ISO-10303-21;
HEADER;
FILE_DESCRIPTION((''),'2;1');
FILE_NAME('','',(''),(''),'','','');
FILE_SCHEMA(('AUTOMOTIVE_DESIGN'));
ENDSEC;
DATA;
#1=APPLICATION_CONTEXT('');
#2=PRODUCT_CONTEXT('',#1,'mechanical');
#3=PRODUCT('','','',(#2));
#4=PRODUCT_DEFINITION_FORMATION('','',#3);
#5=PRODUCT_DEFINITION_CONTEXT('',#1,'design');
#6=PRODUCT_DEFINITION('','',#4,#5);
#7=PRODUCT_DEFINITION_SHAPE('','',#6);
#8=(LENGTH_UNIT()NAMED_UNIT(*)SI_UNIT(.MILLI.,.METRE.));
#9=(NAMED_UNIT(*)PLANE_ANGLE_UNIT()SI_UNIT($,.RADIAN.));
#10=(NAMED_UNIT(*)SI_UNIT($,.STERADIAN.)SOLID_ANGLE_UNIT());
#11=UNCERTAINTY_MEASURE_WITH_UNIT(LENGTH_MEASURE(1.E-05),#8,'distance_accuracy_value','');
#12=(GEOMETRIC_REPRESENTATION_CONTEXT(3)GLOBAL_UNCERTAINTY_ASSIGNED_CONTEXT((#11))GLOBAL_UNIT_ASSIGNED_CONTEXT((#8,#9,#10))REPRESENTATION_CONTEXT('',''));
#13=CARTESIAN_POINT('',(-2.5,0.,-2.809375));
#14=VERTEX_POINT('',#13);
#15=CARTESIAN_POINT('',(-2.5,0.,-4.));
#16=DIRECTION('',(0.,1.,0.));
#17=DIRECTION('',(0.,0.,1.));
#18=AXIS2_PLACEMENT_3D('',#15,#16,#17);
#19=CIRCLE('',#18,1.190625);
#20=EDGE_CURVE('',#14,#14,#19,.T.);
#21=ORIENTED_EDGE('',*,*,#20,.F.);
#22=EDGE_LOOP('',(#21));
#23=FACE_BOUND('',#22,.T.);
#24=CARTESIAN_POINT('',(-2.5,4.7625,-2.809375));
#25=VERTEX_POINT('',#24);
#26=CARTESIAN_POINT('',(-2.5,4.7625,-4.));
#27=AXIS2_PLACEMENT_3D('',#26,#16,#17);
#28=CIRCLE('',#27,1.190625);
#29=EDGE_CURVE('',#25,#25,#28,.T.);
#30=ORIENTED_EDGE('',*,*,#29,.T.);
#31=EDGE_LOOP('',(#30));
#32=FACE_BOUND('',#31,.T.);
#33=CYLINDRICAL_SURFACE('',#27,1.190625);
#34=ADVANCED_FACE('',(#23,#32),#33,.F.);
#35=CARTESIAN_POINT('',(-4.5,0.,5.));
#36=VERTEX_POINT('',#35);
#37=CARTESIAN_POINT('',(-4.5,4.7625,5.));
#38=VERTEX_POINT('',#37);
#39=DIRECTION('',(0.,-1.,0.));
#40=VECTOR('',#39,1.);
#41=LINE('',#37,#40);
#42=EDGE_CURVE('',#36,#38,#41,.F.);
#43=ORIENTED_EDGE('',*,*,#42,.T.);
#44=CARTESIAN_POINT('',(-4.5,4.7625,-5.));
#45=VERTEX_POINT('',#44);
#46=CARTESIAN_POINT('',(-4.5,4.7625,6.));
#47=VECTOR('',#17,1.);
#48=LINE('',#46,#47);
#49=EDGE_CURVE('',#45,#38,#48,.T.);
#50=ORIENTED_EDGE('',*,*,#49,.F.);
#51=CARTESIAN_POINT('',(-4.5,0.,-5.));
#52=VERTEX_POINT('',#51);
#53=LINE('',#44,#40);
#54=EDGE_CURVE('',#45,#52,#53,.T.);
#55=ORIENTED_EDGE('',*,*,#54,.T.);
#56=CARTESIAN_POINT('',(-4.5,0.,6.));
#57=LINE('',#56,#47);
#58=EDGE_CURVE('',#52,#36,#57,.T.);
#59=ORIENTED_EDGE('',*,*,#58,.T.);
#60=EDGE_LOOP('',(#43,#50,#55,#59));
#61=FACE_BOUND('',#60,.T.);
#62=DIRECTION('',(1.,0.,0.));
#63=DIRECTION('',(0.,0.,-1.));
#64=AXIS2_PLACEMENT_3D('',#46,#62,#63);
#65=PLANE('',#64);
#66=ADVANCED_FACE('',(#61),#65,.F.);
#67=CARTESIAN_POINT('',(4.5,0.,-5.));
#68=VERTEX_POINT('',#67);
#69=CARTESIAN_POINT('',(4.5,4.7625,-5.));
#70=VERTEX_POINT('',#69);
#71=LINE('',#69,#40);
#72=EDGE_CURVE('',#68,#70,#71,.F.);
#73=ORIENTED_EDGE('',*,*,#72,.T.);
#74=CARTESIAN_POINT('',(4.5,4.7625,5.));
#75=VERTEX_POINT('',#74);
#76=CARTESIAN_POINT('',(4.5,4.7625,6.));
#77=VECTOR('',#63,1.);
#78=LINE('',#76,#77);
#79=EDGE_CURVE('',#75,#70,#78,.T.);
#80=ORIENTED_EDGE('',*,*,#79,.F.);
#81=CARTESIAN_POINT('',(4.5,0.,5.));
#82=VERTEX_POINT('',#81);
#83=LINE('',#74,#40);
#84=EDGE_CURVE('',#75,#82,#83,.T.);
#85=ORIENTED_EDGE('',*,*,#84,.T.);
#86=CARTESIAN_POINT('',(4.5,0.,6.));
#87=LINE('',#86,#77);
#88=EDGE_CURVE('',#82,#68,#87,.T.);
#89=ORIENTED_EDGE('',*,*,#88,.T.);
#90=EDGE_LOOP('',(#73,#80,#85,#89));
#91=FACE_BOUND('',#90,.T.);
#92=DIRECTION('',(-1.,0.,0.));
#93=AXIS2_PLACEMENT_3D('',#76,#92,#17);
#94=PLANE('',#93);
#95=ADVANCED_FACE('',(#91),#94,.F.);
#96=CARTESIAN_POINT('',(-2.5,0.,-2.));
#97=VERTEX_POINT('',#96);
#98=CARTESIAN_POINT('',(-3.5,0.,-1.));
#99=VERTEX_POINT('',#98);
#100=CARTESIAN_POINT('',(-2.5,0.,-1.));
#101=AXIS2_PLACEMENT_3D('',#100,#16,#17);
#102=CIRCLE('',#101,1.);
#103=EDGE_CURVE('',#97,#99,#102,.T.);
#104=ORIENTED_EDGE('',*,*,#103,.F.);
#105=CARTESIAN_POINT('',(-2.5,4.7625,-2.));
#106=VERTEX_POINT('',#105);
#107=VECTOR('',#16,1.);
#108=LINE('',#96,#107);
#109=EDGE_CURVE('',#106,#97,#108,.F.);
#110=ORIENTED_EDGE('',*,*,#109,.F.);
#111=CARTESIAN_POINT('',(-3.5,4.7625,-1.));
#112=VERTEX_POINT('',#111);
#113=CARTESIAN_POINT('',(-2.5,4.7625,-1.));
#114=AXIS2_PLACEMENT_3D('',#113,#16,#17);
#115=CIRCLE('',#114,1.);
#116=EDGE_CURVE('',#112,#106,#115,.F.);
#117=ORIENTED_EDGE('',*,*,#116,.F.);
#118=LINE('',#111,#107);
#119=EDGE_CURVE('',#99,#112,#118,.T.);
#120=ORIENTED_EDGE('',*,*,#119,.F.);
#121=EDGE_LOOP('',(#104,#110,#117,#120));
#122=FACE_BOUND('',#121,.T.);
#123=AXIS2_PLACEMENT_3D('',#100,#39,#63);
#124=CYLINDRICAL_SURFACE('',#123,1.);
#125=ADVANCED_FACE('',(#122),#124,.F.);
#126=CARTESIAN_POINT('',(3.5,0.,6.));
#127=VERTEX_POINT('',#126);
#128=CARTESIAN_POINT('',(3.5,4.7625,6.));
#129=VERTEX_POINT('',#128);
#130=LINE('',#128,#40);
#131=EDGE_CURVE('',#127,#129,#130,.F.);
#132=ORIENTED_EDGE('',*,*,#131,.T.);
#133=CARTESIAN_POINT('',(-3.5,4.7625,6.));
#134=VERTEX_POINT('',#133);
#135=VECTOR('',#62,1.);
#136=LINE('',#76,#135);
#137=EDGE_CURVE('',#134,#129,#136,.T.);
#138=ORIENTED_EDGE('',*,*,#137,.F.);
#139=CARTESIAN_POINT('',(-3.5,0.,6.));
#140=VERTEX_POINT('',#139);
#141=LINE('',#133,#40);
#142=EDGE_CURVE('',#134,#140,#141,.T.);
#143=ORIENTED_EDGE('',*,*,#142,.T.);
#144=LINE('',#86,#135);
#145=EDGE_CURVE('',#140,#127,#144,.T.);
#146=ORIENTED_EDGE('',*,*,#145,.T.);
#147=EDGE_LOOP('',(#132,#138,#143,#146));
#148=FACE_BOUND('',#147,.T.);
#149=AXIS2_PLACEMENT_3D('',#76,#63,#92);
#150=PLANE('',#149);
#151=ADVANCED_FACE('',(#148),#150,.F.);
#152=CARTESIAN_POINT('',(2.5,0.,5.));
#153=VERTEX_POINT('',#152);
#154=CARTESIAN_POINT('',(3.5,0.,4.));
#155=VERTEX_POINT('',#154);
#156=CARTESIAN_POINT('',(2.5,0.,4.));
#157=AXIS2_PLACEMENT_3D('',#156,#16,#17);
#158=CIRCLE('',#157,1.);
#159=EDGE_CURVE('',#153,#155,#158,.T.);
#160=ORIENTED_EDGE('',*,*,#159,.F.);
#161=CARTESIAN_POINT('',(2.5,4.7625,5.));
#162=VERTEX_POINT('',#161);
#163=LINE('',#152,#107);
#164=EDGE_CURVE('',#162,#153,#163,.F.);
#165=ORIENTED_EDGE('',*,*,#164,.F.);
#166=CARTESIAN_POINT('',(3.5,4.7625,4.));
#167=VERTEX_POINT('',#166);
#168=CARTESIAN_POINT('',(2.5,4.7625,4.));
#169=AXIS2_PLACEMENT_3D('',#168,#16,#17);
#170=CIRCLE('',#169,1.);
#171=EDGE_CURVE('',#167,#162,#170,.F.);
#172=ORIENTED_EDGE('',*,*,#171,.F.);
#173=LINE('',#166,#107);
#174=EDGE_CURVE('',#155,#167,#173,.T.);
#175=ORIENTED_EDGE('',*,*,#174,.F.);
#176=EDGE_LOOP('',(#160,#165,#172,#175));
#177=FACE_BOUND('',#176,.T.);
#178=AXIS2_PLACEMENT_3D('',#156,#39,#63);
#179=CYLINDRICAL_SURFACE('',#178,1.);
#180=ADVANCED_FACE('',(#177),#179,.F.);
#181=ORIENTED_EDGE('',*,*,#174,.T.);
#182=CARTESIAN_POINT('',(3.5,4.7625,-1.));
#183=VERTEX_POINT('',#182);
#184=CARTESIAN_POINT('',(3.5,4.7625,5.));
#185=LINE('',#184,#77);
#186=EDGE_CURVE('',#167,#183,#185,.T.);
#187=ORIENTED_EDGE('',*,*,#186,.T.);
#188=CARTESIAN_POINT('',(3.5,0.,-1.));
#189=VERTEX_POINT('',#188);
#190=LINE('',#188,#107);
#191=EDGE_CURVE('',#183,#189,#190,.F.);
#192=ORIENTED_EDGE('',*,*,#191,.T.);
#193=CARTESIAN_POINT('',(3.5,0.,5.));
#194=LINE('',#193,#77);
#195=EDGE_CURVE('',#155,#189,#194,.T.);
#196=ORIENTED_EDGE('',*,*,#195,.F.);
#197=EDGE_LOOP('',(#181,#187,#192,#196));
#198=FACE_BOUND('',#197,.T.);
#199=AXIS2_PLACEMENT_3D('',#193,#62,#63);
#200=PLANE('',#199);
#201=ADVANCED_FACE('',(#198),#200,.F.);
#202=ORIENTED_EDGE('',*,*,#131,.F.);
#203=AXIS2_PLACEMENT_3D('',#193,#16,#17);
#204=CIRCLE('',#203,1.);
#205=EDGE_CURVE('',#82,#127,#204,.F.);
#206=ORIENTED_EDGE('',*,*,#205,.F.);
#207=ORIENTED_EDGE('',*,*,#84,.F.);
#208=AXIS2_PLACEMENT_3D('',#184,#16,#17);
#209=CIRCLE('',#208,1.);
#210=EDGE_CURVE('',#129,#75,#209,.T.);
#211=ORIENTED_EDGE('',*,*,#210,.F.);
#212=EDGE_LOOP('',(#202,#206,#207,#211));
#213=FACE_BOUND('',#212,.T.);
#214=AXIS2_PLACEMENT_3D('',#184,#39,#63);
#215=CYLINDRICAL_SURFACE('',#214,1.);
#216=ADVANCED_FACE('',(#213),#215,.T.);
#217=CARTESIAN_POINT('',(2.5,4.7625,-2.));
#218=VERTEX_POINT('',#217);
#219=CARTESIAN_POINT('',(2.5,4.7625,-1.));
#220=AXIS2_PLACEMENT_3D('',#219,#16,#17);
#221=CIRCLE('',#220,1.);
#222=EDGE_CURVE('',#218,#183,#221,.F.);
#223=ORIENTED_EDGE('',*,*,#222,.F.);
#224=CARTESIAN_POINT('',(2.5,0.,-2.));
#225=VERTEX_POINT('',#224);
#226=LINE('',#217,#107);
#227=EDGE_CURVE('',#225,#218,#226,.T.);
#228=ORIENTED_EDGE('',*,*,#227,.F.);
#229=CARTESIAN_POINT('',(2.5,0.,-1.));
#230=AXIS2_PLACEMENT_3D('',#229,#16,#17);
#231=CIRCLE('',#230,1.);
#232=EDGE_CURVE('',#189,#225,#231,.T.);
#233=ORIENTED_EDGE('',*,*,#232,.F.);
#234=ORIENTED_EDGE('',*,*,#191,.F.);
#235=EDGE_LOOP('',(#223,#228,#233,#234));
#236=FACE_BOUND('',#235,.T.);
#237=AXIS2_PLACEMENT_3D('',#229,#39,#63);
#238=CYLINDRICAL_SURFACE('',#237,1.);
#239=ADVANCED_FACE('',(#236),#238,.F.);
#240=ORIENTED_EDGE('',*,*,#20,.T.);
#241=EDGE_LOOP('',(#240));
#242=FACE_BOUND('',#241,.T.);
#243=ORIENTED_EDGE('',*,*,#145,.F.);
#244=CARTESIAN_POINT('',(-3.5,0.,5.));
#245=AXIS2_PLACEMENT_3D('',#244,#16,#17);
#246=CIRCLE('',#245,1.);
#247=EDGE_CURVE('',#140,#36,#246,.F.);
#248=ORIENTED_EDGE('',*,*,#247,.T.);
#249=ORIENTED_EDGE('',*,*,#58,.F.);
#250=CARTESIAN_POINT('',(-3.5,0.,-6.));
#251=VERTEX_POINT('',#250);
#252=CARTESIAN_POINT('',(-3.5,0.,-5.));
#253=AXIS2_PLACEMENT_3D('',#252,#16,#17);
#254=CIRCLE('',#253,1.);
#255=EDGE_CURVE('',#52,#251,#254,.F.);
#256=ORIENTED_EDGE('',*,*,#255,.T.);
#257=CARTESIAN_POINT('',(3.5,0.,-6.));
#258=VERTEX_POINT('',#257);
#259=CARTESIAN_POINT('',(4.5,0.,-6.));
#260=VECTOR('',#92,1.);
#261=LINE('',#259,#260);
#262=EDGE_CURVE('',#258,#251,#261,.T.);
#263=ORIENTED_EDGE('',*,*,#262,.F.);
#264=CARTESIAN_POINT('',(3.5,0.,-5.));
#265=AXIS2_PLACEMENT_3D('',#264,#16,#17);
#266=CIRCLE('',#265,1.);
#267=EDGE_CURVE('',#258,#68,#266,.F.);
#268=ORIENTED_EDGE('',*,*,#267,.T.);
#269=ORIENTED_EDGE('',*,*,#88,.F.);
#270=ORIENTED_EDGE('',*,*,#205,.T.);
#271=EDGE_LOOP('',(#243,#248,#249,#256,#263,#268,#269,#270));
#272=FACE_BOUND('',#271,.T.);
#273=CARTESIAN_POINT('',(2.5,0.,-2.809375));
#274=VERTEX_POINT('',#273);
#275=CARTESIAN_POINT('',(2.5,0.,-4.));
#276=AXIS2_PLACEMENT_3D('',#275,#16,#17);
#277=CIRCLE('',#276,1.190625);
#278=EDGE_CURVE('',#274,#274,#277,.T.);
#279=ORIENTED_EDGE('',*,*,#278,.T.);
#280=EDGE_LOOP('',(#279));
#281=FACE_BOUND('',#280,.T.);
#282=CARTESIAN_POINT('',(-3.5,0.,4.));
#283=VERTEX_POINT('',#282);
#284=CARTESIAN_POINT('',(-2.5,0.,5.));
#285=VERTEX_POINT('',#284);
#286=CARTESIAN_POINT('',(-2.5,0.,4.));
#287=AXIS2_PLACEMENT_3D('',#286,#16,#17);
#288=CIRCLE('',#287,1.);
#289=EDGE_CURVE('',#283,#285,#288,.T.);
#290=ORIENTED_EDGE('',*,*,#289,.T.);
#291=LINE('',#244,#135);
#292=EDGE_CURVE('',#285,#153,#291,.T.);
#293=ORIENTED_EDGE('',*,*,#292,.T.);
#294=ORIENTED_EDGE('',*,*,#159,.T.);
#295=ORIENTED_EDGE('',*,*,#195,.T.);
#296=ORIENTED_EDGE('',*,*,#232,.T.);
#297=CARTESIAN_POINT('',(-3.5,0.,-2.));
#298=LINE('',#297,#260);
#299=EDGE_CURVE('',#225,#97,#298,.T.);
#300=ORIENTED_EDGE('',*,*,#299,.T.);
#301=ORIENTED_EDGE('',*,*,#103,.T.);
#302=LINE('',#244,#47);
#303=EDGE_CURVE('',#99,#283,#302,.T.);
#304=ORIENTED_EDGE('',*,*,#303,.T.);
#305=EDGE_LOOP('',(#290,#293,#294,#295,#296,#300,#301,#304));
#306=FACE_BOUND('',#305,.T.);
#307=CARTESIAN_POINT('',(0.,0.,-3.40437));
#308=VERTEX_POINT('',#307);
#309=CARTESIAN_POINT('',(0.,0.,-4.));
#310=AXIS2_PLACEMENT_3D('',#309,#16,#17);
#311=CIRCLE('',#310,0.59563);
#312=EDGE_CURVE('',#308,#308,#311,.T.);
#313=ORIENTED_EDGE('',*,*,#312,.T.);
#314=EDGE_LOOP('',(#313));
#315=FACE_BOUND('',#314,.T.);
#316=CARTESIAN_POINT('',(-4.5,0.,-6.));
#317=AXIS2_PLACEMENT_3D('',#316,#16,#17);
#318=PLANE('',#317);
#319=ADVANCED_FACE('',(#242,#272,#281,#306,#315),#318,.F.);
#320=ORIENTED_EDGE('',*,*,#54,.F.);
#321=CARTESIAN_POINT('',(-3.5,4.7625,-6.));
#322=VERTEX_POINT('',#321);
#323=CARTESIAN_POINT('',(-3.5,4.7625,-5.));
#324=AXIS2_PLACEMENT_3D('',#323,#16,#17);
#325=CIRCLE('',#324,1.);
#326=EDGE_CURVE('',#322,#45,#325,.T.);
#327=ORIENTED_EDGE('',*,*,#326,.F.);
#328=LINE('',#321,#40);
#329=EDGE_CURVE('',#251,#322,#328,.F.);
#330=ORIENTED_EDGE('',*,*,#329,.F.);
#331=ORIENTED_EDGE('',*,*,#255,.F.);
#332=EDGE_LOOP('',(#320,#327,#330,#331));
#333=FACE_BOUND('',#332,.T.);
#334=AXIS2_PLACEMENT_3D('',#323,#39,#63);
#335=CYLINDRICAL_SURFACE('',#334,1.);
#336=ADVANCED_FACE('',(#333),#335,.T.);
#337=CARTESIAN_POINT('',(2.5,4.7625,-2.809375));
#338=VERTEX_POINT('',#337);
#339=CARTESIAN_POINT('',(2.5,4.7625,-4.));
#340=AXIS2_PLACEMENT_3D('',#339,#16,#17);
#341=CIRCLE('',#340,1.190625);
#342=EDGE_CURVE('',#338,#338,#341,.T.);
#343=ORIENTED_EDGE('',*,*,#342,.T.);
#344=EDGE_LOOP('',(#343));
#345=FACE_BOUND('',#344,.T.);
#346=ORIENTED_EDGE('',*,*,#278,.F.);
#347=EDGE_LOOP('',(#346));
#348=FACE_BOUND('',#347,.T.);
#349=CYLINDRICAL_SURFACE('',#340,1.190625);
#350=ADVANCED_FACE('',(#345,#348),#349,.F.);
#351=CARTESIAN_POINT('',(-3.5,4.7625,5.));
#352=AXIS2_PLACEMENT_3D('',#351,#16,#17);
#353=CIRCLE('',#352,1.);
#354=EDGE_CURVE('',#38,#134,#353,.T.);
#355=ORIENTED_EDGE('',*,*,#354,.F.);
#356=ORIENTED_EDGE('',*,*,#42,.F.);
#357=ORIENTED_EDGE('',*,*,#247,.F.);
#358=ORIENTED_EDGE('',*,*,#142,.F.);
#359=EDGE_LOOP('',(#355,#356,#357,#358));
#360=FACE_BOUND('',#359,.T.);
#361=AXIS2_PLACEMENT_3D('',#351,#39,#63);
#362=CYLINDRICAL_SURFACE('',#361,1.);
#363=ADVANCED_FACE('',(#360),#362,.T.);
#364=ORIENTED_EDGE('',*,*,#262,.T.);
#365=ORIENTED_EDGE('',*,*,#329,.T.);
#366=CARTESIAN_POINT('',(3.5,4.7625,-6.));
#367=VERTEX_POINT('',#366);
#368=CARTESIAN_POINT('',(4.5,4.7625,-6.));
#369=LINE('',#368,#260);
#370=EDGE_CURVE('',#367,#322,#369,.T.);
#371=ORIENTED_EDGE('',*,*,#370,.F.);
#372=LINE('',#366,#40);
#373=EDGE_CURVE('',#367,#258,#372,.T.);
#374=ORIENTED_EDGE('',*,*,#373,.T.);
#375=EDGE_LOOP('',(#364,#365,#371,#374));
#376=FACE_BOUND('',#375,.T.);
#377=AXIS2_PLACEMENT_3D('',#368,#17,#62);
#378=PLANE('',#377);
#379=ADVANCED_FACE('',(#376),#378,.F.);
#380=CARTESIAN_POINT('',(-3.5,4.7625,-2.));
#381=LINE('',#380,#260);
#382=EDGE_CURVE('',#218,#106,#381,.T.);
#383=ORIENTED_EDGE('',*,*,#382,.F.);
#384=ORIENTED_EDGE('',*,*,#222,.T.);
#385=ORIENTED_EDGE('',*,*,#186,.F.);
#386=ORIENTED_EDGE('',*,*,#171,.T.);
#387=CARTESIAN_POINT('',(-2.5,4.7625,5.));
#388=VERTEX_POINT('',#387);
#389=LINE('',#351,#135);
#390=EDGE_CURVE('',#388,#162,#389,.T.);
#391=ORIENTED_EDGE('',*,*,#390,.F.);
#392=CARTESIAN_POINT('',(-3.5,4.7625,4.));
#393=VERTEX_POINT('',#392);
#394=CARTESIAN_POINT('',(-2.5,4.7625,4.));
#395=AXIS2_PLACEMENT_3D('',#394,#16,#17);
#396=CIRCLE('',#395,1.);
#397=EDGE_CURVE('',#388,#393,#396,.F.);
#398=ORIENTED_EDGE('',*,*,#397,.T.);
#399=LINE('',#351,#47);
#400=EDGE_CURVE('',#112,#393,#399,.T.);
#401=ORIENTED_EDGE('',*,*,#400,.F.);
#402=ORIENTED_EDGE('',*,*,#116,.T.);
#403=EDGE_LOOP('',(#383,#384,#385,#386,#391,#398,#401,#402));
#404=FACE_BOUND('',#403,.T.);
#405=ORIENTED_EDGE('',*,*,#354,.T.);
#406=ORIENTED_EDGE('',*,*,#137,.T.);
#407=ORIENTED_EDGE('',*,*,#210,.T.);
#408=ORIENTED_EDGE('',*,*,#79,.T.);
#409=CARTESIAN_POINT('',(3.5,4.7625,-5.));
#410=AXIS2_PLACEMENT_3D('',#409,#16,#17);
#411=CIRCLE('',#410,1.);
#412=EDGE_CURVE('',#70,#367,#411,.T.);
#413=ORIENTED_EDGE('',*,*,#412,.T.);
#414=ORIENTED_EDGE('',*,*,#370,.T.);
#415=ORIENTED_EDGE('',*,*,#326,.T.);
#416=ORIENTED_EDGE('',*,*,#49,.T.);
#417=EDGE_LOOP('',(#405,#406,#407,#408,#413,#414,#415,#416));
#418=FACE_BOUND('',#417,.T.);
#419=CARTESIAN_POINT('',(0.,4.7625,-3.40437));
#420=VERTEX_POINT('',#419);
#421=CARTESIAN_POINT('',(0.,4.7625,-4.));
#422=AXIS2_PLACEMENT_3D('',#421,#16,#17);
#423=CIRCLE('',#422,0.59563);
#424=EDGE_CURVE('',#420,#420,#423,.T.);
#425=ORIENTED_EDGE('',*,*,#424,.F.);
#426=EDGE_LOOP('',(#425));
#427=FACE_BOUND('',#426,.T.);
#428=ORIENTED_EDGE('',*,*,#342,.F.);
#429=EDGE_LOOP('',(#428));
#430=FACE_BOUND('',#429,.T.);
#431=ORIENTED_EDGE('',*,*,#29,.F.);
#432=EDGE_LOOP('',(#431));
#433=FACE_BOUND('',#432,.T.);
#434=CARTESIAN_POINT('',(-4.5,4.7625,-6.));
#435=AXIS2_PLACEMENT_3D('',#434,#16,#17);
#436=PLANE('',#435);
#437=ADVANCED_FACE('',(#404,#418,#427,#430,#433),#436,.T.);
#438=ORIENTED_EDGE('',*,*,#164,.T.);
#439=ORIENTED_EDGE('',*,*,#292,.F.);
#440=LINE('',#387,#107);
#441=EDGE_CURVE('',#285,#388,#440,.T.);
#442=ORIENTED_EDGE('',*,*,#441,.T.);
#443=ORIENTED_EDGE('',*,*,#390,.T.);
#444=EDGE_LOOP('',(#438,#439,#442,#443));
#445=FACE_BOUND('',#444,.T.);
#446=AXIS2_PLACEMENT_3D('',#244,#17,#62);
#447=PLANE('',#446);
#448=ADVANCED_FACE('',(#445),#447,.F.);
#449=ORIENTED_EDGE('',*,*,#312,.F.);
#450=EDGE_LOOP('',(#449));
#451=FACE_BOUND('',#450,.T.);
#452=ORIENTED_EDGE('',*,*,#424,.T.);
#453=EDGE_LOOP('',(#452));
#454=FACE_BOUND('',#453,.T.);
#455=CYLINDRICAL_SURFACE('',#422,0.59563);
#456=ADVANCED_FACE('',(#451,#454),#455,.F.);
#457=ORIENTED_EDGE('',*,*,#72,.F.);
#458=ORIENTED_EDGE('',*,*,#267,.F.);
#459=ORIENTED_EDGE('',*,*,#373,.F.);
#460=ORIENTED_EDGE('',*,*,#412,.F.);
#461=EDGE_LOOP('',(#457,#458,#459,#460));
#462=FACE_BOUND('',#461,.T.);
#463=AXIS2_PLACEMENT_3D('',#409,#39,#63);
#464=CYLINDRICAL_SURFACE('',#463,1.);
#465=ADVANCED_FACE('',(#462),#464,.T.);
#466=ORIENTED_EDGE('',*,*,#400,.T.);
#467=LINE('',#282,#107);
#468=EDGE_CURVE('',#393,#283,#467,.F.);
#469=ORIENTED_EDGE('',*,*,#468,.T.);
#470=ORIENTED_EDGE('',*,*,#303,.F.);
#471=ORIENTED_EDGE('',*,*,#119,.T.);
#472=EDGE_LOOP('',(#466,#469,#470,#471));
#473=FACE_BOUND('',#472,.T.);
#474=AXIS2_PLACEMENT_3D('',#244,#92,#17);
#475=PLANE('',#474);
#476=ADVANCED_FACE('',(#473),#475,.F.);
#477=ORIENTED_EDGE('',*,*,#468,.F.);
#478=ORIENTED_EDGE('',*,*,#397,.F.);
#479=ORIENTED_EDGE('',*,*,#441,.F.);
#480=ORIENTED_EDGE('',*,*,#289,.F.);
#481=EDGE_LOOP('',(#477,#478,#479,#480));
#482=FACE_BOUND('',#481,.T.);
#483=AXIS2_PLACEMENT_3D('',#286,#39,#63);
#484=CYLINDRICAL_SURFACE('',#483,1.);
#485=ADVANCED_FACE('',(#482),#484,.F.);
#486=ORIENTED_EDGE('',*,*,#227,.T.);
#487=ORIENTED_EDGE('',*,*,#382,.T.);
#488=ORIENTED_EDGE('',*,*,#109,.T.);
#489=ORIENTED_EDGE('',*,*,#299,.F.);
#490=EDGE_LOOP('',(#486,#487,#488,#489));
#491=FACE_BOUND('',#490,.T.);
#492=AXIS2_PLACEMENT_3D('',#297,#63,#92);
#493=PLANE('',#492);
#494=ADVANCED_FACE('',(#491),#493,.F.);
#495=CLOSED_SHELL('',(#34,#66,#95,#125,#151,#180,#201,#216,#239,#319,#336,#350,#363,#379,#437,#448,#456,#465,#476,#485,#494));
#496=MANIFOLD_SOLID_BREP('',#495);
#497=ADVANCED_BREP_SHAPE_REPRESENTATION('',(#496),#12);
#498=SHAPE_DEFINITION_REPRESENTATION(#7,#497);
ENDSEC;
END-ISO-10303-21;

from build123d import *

# Parameters (mm, degrees)
SKETCH1_W                           = 9
SKETCH1_H                           = 12
EXTRUDE1_DEPTH                      = 4.7625
SKETCH2_W                           = 7
SKETCH2_H                           = 7
EXTRUDE2_DEPTH                      = 5.7625
F_0_80_TAPPED_HOLE1_D               = 1.19126
F_3_32_0_09375_DIAMETER_HOLE1_D     = 2.38125
F_3_32_0_09375_DIAMETER_HOLE1_DEPTH = 10
F_3_32_0_09375_DIAMETER_HOLE1_TIP   = 0.715399675
FILLET7_R                           = 1


with BuildPart() as part:
    # Sketch1 → Extrude1 (new body)
    with BuildSketch(Plane(origin=(0, 0, 0), x_dir=(1, 0, 0), z_dir=(0, 1, 0))):
        Rectangle(SKETCH1_W, SKETCH1_H)
    extrude(amount=EXTRUDE1_DEPTH)

    # Sketch2 → Extrude2 (cut, through all)
    with BuildSketch(Plane(origin=(0, 4.7625, 0), x_dir=(1, 0, 0), z_dir=(0, 1, 0))):
        with Locations((0, -1.5)):
            Rectangle(SKETCH2_W, SKETCH2_H)
    extrude(amount=-EXTRUDE2_DEPTH, mode=Mode.SUBTRACT)

    # #0-80 Tapped Hole1 (through all)
    with Locations(Plane(origin=(0, 4.7625, -4), x_dir=(0, 0, 1), z_dir=(0, 1, 0))):
        with Locations((0, 0)):
            Hole(F_0_80_TAPPED_HOLE1_D / 2)

    # 3/32 (0.09375) Diameter Hole1
    with Locations(Plane(origin=(-2.5, 4.7625, -4), x_dir=(0, 0, 1), z_dir=(0, 1, 0))):
        with Locations((0, 0), (0, 5)):
            Hole(F_3_32_0_09375_DIAMETER_HOLE1_D / 2, depth=F_3_32_0_09375_DIAMETER_HOLE1_DEPTH)
            with Locations((0, 0, -(F_3_32_0_09375_DIAMETER_HOLE1_DEPTH + F_3_32_0_09375_DIAMETER_HOLE1_TIP / 2))):  # 118° drill point
                Cone(0, F_3_32_0_09375_DIAMETER_HOLE1_D / 2, F_3_32_0_09375_DIAMETER_HOLE1_TIP, mode=Mode.SUBTRACT)

    # Fillet7
    fillet7_edges = [part.edges().sort_by_distance(p)[0] for p in [
        (-3.5, 2.38125, 5),
        (-3.5, 2.38125, -2),
        (3.5, 2.38125, -2),
        (3.5, 2.38125, 5),
        (-4.5, 2.38125, -6),
        (4.5, 2.38125, -6),
        (4.5, 2.38125, 6),
        (-4.5, 2.38125, 6),
    ]]
    fillet(fillet7_edges, radius=FILLET7_R)


solid = part.part
